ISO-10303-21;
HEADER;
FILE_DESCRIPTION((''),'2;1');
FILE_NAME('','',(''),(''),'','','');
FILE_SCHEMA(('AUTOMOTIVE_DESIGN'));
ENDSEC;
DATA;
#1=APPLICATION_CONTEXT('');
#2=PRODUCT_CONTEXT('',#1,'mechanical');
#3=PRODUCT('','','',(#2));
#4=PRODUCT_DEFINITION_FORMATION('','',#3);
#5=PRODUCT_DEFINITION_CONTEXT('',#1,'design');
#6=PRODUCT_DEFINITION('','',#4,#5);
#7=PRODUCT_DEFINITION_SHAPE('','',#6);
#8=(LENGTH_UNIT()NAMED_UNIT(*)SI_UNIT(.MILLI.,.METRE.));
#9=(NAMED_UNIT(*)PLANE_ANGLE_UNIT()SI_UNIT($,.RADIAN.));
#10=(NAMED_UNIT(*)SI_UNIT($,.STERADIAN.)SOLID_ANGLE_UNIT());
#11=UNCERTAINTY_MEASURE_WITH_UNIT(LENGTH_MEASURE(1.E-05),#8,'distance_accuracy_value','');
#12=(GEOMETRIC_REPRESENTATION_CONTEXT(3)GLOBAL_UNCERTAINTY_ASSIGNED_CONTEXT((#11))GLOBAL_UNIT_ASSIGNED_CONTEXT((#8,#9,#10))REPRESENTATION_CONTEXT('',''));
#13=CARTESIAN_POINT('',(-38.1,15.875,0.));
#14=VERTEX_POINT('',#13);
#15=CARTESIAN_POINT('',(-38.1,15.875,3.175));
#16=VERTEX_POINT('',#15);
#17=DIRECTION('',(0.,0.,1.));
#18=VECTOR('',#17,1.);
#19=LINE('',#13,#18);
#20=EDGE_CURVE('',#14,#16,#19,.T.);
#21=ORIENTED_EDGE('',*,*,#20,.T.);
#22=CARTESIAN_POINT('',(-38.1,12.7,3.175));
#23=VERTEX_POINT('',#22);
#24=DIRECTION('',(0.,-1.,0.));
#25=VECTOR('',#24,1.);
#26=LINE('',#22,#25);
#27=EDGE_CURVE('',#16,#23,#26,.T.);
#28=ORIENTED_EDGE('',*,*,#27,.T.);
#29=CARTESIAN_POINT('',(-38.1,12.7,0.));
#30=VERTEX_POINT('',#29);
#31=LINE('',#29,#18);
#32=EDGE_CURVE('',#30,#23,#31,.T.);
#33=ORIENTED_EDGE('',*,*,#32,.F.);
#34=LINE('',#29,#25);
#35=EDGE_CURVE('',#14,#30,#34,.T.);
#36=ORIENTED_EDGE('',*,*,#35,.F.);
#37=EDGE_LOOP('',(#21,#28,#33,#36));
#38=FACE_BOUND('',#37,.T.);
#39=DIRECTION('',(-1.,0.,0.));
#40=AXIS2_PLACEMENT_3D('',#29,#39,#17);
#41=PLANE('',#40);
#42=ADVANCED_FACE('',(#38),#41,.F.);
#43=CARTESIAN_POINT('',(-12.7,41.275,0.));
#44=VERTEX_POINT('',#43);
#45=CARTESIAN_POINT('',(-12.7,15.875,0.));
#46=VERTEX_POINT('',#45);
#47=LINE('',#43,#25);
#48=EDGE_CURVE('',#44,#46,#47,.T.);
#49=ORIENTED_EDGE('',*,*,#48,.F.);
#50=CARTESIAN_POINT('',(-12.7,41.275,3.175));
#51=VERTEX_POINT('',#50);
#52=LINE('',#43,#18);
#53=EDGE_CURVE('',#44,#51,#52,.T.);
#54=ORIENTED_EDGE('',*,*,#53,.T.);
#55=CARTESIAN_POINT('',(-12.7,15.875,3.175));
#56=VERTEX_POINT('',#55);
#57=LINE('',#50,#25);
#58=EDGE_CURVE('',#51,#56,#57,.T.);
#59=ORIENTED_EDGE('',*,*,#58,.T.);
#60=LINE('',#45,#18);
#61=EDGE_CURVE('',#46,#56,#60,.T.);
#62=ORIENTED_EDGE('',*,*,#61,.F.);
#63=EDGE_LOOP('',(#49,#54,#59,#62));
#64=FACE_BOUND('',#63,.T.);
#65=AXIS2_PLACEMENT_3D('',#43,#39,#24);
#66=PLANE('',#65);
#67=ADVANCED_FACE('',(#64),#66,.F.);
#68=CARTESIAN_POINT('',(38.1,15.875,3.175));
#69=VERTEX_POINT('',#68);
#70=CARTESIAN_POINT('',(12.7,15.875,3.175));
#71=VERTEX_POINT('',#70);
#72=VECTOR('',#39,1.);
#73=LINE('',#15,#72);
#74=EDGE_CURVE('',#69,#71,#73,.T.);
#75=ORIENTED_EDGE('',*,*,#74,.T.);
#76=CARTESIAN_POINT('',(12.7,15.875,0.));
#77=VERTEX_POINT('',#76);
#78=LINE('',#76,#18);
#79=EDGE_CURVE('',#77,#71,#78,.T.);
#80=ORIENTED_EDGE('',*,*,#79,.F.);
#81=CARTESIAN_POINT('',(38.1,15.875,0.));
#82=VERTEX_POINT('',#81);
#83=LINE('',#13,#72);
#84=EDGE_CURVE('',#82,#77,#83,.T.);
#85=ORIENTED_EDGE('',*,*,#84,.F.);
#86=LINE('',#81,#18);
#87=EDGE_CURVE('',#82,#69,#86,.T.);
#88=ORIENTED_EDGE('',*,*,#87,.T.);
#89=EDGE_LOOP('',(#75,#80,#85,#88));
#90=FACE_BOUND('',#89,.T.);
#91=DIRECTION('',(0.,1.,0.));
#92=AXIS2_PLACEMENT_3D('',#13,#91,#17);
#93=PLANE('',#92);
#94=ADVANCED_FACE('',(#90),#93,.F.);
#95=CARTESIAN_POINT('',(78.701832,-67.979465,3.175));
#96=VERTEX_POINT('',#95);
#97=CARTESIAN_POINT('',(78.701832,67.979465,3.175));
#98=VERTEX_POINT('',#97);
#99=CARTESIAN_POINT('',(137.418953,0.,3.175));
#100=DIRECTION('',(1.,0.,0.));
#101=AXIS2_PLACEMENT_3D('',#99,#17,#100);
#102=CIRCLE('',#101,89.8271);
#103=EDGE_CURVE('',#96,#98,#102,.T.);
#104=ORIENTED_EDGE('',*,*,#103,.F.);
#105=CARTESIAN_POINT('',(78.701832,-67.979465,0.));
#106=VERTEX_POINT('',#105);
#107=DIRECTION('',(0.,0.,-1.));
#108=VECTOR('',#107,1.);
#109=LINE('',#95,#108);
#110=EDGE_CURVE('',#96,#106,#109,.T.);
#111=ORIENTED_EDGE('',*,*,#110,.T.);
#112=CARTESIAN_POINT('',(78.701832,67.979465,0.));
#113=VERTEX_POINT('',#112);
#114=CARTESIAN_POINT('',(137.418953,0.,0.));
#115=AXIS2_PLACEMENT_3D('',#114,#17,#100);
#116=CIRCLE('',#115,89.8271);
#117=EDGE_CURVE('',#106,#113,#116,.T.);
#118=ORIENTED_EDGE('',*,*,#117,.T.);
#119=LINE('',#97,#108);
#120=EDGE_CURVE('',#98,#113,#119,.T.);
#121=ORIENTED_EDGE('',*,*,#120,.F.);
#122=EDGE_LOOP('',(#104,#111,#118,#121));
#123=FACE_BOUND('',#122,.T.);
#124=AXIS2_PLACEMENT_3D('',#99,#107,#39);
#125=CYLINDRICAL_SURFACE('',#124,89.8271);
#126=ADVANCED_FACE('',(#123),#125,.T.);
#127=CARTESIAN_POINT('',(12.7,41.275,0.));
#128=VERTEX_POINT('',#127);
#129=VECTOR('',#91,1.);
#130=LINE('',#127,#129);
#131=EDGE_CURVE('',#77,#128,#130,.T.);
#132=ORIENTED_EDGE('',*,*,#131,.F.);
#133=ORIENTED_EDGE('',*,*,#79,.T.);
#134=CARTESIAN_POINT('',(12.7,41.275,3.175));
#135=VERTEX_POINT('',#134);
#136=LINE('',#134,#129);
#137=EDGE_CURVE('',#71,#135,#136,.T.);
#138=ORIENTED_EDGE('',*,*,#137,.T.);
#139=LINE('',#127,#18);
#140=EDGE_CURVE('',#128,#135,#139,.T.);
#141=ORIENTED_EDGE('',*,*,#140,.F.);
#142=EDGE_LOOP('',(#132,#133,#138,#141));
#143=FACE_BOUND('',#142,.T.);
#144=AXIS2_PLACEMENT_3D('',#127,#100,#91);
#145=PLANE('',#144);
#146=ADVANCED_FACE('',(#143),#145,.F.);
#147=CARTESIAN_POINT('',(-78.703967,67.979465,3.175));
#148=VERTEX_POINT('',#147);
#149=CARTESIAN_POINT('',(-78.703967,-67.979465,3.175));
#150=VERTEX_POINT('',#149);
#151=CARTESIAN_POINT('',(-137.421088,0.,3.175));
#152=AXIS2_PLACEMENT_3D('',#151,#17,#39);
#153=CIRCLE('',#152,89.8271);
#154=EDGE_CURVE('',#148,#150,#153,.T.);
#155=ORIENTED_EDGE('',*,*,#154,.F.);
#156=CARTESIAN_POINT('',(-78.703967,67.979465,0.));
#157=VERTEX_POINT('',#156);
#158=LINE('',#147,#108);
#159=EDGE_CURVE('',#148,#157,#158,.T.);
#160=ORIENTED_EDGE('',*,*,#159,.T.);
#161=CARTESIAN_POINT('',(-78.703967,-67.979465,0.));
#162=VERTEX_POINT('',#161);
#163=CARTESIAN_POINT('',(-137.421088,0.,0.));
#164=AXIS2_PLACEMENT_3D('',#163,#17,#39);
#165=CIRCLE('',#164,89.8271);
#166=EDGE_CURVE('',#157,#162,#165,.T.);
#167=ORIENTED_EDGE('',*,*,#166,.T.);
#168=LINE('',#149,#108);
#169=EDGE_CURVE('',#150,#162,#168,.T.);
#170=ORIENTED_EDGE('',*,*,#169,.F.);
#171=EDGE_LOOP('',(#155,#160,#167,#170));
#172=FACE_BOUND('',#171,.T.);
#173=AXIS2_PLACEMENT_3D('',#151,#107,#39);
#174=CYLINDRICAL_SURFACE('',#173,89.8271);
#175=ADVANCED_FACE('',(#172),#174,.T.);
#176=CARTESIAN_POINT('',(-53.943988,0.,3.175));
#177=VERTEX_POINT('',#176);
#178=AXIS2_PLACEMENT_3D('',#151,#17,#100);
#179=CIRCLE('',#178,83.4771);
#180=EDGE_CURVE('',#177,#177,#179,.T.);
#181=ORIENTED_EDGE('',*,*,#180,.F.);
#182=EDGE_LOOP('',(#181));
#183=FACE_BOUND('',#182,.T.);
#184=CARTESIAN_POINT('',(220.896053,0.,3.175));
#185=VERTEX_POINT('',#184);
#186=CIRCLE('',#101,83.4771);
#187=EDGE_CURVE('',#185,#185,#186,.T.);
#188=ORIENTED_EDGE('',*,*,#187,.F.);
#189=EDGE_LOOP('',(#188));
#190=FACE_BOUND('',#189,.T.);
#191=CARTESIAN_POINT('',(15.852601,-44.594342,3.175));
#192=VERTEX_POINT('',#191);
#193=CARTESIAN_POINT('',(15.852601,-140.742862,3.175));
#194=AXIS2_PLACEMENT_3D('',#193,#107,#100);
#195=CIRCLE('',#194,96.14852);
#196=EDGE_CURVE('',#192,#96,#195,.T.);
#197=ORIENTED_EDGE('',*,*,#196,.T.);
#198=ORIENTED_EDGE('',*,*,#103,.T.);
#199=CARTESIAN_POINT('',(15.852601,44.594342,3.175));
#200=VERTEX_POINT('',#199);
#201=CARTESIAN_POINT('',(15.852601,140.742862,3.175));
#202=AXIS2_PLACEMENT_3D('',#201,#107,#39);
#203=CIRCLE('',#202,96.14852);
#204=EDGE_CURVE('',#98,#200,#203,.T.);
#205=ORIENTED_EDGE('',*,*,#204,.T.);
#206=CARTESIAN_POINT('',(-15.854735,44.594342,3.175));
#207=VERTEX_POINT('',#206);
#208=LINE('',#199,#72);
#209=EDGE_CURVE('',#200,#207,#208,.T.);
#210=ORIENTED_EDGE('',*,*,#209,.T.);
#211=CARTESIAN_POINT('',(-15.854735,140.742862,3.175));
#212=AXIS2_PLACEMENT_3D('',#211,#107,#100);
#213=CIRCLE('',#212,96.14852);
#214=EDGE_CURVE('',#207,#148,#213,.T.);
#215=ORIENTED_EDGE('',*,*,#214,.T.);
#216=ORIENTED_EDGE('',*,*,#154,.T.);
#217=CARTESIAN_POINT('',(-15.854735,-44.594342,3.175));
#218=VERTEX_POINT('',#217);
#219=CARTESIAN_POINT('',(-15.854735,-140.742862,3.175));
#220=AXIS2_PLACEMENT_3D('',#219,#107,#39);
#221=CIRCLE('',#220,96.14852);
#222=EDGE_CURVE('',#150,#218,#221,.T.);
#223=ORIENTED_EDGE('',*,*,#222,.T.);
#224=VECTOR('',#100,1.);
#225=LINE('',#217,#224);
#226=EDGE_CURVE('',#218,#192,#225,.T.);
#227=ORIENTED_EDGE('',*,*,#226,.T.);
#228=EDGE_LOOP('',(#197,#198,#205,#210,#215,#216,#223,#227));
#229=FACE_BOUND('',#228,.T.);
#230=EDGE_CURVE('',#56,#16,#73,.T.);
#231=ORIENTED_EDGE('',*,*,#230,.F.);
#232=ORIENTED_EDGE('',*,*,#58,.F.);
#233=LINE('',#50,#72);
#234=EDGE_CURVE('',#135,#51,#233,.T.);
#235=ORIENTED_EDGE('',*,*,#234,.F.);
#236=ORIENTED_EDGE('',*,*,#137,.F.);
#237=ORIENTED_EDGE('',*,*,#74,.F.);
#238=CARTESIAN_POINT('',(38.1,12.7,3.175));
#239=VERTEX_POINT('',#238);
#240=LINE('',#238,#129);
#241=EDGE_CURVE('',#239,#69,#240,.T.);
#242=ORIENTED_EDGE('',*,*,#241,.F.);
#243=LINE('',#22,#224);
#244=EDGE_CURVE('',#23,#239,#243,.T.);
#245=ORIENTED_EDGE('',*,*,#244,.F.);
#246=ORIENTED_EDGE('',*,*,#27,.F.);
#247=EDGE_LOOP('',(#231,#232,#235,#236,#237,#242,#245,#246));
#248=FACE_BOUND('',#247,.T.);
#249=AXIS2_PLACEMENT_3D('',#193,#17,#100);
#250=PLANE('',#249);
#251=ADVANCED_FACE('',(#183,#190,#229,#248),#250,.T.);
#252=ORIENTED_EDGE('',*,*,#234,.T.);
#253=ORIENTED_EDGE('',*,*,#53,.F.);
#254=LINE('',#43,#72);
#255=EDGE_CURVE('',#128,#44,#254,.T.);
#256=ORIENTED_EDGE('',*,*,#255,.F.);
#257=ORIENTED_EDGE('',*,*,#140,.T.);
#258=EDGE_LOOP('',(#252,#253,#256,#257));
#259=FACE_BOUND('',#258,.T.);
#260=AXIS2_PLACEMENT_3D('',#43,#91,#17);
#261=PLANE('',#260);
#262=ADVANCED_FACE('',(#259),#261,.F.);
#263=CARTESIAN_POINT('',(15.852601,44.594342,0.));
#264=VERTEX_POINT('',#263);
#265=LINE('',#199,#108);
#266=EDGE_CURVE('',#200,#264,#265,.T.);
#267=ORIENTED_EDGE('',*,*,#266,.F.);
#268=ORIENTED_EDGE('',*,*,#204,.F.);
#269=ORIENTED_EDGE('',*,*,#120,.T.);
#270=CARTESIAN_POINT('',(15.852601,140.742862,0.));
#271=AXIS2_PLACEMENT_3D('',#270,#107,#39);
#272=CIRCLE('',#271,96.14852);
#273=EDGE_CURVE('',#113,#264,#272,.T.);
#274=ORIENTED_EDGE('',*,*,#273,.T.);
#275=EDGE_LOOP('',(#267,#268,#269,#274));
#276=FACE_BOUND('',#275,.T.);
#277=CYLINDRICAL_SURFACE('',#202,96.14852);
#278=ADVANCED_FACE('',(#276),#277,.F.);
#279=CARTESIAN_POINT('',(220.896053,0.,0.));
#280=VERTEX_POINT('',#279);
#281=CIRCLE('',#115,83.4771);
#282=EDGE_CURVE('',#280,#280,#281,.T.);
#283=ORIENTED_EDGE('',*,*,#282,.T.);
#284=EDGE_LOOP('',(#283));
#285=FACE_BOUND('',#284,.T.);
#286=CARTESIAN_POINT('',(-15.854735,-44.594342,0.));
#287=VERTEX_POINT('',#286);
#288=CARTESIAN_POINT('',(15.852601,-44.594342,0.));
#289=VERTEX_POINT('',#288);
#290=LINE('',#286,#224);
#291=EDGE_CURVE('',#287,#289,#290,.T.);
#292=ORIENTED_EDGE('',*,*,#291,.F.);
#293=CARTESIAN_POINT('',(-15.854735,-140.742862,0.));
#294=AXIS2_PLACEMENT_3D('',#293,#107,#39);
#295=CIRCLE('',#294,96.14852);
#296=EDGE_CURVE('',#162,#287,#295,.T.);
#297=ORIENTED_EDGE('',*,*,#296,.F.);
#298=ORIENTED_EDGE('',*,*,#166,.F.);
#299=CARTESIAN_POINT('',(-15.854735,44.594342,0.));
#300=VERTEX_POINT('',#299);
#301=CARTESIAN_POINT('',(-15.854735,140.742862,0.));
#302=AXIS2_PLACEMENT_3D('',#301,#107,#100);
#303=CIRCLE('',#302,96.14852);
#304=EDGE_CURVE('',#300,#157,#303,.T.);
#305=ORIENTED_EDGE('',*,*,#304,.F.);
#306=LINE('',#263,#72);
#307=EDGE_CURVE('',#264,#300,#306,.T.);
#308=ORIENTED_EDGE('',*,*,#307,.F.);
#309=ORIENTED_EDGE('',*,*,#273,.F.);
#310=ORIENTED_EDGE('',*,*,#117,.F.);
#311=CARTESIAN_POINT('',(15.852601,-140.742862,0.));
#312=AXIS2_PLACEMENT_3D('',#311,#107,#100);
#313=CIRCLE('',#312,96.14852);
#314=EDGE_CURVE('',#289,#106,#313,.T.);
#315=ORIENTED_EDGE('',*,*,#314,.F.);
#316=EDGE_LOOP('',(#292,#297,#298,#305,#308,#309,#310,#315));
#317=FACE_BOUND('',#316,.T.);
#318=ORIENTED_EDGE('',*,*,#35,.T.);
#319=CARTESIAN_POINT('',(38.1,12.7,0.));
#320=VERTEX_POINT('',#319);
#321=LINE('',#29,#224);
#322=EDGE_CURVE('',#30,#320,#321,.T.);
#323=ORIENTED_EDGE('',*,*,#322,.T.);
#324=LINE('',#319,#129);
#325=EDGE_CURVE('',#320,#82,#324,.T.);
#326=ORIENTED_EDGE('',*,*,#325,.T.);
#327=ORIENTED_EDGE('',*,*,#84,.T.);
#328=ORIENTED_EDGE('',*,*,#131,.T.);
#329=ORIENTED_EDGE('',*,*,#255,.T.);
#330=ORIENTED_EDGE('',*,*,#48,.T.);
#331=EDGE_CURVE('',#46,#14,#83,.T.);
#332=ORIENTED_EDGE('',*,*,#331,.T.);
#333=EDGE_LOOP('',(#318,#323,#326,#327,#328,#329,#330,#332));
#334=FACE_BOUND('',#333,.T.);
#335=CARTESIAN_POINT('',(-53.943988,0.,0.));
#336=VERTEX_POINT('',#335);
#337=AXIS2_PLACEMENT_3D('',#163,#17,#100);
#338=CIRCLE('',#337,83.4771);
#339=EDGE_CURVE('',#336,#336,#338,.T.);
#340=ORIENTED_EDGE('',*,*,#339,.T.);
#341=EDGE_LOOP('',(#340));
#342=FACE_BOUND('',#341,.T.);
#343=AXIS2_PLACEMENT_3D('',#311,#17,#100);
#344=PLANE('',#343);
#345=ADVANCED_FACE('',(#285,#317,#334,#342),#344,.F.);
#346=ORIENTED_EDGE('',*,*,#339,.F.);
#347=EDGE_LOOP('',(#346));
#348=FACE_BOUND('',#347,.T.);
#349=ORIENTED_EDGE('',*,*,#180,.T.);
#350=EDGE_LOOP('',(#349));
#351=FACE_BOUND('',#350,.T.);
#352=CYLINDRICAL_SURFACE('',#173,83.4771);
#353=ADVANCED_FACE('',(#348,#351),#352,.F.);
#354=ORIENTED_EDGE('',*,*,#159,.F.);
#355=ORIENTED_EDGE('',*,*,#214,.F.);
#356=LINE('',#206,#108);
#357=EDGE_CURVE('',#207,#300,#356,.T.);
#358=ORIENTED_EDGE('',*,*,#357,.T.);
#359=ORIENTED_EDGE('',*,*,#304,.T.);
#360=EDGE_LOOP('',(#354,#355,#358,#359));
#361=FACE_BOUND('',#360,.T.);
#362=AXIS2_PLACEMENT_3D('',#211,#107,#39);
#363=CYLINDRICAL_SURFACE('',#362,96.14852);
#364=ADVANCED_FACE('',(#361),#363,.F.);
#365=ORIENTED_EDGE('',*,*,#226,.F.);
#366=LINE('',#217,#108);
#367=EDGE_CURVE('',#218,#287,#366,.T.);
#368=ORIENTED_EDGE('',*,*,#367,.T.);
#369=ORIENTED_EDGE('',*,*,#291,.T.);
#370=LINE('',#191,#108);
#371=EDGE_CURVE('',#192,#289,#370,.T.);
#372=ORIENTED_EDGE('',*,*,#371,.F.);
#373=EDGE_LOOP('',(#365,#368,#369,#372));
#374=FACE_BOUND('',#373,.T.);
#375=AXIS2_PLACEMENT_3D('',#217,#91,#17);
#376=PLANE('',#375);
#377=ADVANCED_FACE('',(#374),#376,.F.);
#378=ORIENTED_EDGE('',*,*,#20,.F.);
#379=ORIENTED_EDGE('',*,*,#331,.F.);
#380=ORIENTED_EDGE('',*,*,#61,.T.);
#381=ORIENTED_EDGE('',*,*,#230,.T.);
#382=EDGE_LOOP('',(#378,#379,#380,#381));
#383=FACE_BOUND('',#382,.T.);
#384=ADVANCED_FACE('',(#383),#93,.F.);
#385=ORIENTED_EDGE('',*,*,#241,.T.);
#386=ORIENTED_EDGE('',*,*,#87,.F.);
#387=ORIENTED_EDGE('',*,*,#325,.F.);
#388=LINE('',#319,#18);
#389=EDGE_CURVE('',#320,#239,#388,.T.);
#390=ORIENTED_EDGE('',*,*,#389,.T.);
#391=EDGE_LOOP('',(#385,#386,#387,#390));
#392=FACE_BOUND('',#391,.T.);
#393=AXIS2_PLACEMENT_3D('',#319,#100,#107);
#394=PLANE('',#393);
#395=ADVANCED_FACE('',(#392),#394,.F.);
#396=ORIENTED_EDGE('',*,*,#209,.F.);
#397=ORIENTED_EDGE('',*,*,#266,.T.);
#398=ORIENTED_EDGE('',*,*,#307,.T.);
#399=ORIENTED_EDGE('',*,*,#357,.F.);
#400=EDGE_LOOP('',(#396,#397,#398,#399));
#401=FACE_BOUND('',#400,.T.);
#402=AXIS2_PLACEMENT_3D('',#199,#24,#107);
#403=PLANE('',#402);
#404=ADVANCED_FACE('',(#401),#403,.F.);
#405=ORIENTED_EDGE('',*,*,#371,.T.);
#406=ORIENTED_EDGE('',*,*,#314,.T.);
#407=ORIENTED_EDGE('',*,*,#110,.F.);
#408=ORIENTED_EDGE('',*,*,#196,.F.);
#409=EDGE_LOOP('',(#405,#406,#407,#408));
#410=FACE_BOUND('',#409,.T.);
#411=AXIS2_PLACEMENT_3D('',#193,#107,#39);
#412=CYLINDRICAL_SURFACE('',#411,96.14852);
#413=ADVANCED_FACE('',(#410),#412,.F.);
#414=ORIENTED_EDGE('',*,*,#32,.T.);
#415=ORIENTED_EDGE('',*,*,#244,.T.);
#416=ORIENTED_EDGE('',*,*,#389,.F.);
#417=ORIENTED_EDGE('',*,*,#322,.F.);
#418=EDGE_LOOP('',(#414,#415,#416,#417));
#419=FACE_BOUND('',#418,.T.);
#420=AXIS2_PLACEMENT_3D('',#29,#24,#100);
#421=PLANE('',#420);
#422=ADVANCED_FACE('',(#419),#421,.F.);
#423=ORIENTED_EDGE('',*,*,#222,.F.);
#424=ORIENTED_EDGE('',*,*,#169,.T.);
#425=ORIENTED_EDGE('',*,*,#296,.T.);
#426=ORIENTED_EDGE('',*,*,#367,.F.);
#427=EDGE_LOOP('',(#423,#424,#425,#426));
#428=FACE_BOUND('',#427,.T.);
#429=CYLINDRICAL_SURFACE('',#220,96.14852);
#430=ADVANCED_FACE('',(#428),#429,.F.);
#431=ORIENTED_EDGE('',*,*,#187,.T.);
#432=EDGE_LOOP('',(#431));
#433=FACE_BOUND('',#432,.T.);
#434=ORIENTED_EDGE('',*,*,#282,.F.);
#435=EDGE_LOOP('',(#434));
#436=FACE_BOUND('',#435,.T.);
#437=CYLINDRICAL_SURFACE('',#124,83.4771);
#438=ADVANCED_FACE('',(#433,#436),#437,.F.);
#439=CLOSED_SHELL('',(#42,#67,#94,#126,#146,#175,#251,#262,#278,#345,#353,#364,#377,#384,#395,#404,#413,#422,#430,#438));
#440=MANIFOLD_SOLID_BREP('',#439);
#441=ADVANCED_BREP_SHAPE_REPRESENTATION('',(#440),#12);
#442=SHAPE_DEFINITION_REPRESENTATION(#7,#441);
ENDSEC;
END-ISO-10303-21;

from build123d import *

# Parameters (mm, degrees)
SKETCH1_R           = 83.4771
SKETCH1_R_2         = 3.175
BOSS_EXTRUDE1_DEPTH = 3.175
SKETCH2_W           = 25.4
SKETCH2_H           = 25.4
CUT_EXTRUDE1_DEPTH  = 4.175
SKETCH3_W           = 76.2
SKETCH3_H           = 3.175
CUT_EXTRUDE2_DEPTH  = 4.175


with BuildPart() as part:
    # Sketch1 → Boss-Extrude1 (new body)
    with BuildSketch(Plane.XY):
        with BuildLine():
            Line((-15.854735322, -44.594342032), (15.852600775, -44.594342032))
            ThreePointArc((15.852600775, -44.594342032), (49.382027762, -50.630069264), (78.701832464, -67.979464917))
            ThreePointArc((78.701832464, -67.979464917), (227.246053, 0), (78.701832464, 67.979464917))
            ThreePointArc((78.701832464, 67.979464917), (49.382027762, 50.630069264), (15.852600775, 44.594342032))
            Line((15.852600775, 44.594342032), (-15.854735322, 44.594342032))
            ThreePointArc((-15.854735322, 44.594342032), (-49.384162309, 50.630069264), (-78.703967011, 67.979464917))
            ThreePointArc((-78.703967011, 67.979464917), (-227.248187547, 0), (-78.703967011, -67.979464917))
            ThreePointArc((-78.703967011, -67.979464917), (-49.384162309, -50.630069264), (-15.854735322, -44.594342032))
        make_face()
        with Locations((137.418953, 0)):
            Circle(SKETCH1_R, mode=Mode.SUBTRACT)
        with Locations((-137.421087547, 0)):
            Circle(SKETCH1_R, mode=Mode.SUBTRACT)
        with Locations((0, 28.575000036)):
            Circle(SKETCH1_R_2, mode=Mode.SUBTRACT)
    extrude(amount=BOSS_EXTRUDE1_DEPTH)

    # Sketch2 → Cut-Extrude1 (cut, through all)
    with BuildSketch(Plane.XY.offset(3.175)):
        with Locations((0, 28.575000036)):
            Rectangle(SKETCH2_W, SKETCH2_H)
    extrude(amount=-CUT_EXTRUDE1_DEPTH, mode=Mode.SUBTRACT)

    # Sketch3 → Cut-Extrude2 (cut, through all)
    with BuildSketch(Plane.XY.offset(3.175)):
        with Locations((0, 14.287500036)):
            Rectangle(SKETCH3_W, SKETCH3_H)
    extrude(amount=-CUT_EXTRUDE2_DEPTH, mode=Mode.SUBTRACT)


solid = part.part
